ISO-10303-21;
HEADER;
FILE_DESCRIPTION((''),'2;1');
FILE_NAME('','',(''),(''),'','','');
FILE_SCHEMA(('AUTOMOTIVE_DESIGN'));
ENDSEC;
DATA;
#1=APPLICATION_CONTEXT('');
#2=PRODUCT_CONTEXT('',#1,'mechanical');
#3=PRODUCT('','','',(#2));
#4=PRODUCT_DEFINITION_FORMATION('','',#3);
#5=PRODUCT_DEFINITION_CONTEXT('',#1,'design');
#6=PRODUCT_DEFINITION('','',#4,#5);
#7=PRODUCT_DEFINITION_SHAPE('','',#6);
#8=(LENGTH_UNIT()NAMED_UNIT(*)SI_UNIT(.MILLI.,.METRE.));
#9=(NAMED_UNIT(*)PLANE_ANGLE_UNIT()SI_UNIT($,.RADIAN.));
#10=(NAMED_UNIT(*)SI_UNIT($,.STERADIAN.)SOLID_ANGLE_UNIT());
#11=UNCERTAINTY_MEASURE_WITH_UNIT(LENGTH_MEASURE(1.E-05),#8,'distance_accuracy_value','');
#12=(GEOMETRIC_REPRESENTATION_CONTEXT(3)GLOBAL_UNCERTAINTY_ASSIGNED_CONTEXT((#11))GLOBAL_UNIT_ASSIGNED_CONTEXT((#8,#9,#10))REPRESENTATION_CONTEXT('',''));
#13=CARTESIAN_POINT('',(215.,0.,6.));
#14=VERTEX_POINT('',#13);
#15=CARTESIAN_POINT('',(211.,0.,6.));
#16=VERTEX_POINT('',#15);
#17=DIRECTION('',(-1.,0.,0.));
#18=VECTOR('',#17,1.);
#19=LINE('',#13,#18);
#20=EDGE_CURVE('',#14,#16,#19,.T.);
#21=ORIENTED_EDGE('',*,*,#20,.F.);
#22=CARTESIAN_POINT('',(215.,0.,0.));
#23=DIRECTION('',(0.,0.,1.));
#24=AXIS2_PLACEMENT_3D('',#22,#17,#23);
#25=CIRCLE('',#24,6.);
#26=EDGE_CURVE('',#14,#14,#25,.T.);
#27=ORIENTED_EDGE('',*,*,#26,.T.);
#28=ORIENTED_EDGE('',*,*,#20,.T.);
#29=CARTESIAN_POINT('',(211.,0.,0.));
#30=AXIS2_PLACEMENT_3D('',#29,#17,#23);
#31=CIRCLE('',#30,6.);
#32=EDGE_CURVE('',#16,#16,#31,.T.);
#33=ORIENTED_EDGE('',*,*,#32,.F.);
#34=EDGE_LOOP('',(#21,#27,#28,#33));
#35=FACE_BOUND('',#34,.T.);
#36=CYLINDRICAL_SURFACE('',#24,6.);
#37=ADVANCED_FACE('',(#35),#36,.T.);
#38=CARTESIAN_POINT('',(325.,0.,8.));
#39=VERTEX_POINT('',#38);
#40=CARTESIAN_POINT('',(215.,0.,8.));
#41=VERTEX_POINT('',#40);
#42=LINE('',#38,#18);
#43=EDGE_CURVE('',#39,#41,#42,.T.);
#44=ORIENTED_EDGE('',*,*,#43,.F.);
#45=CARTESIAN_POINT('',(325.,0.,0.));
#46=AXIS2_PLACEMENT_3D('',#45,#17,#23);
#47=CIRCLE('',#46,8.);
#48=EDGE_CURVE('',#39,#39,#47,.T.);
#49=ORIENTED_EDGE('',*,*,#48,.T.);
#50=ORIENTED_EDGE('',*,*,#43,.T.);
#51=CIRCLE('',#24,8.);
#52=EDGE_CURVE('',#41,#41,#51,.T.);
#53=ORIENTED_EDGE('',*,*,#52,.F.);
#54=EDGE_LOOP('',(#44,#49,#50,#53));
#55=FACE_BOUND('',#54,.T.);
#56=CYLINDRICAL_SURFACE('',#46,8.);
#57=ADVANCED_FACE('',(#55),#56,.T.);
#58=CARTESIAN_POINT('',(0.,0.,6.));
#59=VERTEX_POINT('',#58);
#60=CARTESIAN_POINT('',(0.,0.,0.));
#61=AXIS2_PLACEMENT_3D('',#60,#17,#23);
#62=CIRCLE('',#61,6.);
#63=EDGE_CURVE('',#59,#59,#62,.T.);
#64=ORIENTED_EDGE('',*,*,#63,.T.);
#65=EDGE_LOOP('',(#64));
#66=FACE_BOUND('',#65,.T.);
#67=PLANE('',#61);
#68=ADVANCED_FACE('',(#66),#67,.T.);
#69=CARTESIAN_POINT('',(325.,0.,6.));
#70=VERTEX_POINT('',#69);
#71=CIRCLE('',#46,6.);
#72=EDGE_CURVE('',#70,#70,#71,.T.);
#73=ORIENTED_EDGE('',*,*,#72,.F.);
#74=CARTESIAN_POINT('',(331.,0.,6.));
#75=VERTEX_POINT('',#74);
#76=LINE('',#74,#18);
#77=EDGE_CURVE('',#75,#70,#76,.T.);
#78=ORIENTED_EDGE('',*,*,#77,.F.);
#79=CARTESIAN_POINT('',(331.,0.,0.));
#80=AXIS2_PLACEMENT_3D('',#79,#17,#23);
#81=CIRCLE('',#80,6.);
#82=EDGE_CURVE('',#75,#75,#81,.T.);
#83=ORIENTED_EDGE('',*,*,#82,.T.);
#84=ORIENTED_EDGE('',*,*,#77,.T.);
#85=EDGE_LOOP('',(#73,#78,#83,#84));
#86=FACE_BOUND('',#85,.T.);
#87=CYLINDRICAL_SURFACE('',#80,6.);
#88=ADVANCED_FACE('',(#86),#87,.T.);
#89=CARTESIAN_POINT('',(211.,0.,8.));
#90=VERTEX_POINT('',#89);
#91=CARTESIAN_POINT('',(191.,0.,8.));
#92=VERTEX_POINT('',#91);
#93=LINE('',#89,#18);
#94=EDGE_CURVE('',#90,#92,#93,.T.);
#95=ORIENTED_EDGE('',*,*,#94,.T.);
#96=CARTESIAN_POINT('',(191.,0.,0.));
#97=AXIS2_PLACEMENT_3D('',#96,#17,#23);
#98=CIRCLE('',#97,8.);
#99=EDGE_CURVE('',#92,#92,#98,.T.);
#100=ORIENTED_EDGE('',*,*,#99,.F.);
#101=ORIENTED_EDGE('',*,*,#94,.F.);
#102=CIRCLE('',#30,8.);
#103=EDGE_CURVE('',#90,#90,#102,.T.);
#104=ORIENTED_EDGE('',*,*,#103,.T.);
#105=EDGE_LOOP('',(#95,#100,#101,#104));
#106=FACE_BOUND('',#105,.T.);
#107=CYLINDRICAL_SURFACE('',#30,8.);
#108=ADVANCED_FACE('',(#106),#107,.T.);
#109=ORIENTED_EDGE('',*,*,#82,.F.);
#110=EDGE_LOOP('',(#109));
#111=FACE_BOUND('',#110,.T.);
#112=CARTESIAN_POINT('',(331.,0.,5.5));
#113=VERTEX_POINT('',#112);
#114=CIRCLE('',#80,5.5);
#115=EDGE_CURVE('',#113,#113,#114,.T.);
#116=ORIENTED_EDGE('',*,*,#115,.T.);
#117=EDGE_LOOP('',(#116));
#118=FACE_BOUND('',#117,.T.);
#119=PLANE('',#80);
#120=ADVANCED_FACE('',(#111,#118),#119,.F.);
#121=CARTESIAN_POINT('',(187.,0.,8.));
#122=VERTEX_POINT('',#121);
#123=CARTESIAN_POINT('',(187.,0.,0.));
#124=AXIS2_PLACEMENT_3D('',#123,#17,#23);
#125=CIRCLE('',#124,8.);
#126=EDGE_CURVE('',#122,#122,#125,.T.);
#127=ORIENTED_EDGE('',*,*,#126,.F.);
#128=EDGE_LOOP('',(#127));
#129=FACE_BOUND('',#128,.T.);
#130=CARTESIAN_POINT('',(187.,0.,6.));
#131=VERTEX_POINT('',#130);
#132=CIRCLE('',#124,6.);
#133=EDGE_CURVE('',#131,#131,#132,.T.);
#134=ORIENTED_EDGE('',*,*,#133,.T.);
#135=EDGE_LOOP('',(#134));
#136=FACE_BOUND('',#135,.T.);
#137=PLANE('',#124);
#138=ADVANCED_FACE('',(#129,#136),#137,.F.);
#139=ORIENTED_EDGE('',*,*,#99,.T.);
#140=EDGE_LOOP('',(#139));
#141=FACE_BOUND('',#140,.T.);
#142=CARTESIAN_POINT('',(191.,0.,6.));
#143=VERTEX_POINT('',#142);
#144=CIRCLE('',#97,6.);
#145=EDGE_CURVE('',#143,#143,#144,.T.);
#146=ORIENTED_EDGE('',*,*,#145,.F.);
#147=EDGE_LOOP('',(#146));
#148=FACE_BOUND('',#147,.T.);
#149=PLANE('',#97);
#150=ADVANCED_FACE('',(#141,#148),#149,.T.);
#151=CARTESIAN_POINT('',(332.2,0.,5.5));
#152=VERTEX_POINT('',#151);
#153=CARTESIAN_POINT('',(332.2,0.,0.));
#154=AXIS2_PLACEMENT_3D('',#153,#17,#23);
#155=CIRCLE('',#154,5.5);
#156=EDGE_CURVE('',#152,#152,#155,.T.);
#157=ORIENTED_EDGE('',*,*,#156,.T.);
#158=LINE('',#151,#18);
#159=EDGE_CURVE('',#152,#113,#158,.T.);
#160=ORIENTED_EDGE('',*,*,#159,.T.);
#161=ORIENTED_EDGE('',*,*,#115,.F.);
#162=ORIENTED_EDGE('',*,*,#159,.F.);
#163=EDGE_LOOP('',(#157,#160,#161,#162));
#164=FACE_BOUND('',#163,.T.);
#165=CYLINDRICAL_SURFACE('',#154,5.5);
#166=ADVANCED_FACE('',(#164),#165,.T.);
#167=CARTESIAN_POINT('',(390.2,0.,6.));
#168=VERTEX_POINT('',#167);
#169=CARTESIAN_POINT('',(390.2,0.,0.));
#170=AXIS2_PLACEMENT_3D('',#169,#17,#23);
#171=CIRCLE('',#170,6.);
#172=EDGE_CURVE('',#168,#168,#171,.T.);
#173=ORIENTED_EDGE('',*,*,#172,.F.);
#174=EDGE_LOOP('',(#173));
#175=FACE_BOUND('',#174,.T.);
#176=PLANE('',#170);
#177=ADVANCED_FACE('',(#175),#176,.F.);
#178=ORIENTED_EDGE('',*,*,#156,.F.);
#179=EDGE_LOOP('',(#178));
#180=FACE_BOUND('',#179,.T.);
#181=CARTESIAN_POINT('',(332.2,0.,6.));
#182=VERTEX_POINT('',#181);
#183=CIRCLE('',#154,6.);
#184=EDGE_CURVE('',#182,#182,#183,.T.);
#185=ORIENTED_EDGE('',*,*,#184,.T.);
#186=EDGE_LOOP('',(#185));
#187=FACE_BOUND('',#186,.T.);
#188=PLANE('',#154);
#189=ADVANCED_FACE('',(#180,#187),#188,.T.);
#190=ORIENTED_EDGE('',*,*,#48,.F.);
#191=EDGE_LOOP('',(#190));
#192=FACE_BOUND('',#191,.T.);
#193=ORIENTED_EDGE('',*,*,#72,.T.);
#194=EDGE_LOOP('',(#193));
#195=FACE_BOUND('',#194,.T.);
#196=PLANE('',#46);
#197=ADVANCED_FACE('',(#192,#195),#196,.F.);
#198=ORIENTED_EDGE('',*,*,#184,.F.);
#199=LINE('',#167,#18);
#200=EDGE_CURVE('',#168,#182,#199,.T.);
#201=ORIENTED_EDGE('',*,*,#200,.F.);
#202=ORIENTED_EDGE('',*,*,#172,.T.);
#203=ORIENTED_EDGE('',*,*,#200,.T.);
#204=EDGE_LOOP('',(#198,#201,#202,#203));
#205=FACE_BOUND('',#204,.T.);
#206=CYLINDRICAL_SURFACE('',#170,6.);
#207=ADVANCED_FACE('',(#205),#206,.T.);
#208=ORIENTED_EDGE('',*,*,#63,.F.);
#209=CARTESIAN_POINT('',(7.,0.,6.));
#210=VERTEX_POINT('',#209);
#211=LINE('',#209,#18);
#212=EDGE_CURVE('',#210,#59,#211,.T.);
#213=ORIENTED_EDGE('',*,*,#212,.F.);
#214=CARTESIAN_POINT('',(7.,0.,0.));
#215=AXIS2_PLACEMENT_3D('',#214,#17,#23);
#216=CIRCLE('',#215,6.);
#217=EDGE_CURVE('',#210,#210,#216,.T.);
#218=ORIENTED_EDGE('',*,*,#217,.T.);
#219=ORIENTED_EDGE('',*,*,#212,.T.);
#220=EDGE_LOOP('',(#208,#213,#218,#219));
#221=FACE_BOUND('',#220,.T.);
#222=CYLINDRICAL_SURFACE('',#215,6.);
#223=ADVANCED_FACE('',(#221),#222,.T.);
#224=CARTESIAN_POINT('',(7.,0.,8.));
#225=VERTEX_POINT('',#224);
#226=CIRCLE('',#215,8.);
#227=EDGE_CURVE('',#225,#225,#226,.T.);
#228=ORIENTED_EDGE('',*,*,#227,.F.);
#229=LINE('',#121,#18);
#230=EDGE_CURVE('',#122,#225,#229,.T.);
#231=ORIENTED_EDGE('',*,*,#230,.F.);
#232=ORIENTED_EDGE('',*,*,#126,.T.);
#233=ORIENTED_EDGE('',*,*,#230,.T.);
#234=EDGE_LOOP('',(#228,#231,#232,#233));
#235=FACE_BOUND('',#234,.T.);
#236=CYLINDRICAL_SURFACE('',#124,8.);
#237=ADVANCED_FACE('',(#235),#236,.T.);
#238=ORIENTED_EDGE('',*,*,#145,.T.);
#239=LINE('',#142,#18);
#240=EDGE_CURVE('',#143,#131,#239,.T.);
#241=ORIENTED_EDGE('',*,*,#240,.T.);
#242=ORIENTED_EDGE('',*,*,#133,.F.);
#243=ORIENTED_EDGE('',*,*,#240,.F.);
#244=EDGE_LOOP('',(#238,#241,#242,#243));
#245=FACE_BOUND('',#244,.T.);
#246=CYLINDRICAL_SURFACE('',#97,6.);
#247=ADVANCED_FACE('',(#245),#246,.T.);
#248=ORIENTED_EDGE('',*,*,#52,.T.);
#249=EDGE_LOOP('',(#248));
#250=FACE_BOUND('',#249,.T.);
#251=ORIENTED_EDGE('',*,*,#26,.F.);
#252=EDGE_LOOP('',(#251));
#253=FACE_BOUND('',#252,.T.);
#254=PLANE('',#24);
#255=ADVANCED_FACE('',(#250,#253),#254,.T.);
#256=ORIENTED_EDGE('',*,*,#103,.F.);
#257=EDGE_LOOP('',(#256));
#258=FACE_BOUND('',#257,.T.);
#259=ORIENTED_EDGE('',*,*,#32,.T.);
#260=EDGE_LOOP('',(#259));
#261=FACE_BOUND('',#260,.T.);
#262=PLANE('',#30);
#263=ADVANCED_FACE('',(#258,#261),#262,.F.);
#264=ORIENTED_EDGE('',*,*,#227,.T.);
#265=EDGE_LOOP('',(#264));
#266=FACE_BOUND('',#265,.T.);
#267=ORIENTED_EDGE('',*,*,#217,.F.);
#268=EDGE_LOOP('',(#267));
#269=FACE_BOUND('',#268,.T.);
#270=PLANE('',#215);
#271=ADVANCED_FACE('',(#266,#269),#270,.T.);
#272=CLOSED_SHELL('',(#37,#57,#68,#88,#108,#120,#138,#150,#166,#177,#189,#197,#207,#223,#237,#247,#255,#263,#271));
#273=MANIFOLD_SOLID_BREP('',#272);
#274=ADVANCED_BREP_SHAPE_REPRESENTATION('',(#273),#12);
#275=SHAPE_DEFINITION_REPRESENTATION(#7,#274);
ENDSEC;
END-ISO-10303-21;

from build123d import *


with BuildPart() as f1:
    # F0 (on Front) → F1 (revolve)
    with BuildSketch(Plane.XZ):
        Polygon((0, 6), (0, 0), (390.2, 0), (390.2, 6), (332.2, 6), (332.2, 5.5), (331, 5.5), (331, 6), (325, 6), (325, 8), (215, 8), (215, 6), (211, 6), (211, 8), (191, 8), (191, 6), (187, 6), (187, 8), (7, 8), (7, 6), align=None)
    revolve(axis=Axis((195.1, 0, 0), (-1, 0, 0)))


solid = f1.part
